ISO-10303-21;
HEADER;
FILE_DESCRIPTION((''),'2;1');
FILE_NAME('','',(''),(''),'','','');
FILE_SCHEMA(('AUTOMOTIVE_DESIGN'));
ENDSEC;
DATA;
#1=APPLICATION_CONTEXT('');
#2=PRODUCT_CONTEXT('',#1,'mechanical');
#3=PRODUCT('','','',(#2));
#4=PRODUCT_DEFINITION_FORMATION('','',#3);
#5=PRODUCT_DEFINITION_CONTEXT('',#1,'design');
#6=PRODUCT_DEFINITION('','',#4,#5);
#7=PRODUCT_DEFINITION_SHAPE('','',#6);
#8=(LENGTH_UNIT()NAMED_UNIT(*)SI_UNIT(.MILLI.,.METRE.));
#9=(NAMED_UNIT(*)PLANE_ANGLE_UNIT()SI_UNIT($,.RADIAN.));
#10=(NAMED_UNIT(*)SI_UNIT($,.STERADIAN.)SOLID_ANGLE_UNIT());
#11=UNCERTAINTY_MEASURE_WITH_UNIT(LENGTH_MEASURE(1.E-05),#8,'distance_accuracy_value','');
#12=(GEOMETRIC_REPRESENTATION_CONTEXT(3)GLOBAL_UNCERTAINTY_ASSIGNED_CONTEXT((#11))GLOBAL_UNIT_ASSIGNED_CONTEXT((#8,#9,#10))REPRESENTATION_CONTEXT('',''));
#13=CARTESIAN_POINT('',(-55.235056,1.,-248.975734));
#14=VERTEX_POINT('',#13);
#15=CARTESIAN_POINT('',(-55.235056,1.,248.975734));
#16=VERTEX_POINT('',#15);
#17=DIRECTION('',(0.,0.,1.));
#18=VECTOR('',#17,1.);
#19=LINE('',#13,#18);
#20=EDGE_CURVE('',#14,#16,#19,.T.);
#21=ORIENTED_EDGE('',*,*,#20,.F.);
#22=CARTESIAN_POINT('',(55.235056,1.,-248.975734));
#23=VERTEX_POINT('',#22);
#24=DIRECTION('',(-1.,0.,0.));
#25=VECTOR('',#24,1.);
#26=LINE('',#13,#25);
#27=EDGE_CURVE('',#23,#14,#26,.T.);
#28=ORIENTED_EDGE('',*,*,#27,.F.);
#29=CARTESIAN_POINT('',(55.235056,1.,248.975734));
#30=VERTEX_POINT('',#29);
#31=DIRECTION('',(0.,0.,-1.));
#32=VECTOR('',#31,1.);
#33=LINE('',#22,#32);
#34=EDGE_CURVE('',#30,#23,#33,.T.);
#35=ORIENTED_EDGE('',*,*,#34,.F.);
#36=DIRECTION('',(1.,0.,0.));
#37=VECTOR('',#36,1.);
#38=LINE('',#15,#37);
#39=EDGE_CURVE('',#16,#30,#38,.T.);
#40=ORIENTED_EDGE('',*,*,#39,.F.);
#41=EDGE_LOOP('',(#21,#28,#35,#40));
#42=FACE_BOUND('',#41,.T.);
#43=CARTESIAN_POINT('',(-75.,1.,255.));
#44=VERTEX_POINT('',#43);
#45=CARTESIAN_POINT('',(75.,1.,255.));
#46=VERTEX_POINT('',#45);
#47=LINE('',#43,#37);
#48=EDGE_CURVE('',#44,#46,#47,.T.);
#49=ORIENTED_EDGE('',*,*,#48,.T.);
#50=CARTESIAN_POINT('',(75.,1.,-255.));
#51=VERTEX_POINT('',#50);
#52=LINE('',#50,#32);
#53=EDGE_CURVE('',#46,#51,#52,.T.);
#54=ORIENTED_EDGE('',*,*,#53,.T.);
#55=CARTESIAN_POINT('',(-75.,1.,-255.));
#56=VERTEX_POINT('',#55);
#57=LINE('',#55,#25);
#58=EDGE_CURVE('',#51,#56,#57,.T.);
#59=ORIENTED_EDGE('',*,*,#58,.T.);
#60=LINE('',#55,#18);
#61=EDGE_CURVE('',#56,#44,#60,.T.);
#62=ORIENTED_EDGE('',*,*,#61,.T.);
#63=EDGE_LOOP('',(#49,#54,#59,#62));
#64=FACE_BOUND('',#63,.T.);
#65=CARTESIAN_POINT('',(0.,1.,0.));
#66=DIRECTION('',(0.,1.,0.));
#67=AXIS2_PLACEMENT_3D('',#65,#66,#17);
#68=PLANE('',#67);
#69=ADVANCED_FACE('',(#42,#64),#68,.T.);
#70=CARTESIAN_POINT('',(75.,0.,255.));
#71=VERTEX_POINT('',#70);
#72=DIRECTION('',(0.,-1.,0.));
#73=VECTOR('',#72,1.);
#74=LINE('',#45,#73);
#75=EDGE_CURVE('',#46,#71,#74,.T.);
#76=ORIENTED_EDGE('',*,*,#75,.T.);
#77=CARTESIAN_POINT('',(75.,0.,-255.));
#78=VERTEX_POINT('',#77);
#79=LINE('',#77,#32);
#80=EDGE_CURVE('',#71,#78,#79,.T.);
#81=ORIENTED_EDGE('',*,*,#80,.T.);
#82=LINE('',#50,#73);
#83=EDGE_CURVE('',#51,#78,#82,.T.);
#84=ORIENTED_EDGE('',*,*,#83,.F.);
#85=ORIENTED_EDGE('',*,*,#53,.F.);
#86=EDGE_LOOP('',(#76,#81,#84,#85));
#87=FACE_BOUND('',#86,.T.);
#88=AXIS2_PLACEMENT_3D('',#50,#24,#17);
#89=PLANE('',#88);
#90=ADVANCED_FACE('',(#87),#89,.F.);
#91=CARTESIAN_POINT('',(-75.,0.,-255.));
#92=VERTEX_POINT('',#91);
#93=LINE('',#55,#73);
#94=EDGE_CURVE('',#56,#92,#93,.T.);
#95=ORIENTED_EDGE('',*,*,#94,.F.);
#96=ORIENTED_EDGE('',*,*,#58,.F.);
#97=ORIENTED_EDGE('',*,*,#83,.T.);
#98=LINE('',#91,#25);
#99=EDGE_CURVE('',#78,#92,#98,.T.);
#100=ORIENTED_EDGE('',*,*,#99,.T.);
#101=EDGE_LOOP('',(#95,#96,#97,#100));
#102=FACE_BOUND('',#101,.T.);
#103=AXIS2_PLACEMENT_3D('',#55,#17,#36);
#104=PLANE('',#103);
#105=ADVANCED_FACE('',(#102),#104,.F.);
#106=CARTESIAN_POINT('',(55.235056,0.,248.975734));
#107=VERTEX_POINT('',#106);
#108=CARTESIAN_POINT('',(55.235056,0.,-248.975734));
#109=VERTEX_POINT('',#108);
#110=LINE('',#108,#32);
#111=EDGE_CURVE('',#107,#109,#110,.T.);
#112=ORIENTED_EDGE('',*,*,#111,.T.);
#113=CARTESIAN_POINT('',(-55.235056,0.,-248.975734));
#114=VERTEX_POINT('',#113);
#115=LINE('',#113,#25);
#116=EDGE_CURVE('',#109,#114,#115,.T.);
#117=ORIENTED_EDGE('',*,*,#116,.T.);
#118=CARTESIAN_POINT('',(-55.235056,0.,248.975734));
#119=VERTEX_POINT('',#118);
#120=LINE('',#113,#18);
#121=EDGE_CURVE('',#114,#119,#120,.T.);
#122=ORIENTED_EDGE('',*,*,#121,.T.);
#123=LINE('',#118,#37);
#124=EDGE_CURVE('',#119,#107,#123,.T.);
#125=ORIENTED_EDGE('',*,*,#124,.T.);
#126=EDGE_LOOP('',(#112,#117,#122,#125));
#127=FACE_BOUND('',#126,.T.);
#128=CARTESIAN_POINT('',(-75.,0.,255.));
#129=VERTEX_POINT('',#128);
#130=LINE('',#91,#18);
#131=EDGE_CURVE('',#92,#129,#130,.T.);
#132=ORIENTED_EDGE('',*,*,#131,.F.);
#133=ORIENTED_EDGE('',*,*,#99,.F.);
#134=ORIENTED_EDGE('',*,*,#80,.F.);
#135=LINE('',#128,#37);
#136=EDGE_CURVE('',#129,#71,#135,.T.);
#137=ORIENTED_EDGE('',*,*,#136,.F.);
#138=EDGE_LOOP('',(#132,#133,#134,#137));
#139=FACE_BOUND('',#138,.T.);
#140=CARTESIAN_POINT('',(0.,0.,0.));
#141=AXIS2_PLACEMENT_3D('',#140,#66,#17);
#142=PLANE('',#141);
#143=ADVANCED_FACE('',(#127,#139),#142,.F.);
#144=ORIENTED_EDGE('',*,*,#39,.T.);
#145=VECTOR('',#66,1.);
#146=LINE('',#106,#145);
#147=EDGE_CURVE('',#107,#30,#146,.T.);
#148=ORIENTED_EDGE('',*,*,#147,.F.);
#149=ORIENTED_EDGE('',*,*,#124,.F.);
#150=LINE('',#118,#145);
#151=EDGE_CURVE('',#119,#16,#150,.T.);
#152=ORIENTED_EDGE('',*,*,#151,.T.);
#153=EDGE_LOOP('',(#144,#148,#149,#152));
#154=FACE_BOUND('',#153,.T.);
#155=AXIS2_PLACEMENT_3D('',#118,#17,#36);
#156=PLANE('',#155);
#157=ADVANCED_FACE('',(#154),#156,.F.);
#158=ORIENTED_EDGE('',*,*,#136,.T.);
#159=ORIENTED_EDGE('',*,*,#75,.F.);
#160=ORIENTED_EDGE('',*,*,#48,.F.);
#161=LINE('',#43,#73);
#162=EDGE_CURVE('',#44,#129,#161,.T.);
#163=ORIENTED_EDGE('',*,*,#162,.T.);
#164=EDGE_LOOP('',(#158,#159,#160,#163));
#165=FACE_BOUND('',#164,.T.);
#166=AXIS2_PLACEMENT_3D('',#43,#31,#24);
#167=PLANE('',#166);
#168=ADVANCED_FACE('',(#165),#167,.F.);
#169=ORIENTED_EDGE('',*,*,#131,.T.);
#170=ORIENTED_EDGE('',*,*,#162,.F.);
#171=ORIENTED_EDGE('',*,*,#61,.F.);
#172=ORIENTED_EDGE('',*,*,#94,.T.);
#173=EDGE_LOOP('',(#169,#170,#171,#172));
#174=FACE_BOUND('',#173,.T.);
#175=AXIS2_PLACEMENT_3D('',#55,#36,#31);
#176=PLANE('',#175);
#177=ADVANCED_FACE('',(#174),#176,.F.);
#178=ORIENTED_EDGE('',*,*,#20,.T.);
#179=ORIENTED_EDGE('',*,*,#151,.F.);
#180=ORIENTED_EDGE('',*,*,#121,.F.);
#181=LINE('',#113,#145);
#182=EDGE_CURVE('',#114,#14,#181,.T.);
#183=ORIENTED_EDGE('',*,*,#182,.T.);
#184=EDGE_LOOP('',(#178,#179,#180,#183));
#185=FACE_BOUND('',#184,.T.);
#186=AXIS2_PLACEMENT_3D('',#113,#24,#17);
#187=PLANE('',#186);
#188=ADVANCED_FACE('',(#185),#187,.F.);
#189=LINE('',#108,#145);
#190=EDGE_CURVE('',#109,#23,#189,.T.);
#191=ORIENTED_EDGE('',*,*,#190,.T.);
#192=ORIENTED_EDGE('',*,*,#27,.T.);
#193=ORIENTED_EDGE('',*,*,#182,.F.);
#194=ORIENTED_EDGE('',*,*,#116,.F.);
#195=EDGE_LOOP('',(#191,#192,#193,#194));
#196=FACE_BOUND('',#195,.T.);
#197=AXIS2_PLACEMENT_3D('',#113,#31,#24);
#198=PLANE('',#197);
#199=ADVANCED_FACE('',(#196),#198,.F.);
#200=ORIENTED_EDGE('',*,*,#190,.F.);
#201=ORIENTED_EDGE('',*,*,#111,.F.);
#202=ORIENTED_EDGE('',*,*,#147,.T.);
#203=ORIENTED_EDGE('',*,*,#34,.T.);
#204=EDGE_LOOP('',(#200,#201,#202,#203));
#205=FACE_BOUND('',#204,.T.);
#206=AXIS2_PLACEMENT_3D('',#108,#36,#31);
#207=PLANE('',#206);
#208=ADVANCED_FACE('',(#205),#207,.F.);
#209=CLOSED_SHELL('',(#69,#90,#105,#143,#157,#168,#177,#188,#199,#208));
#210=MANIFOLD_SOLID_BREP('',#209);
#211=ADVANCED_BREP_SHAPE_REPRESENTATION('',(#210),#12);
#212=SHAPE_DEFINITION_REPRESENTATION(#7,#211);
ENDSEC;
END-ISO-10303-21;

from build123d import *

# Parameters (mm, degrees)
SKETCH1_W           = 150
SKETCH1_H           = 510
BOSS_EXTRUDE1_DEPTH = 1
SKETCH2_W           = 110.470112176
SKETCH2_H           = 497.951467828
CUT_EXTRUDE1_DEPTH  = 1


with BuildPart() as part:
    # Sketch1 → Boss-Extrude1 (new body)
    with BuildSketch(Plane(origin=(0, 0, 0), x_dir=(1, 0, 0), z_dir=(0, 1, 0))):
        Rectangle(SKETCH1_W, SKETCH1_H)
    extrude(amount=BOSS_EXTRUDE1_DEPTH)

    # Sketch2 → Cut-Extrude1 (cut)
    with BuildSketch(Plane(origin=(0, 1, 0), x_dir=(1, 0, 0), z_dir=(0, 1, 0))):
        Rectangle(SKETCH2_W, SKETCH2_H)
    extrude(amount=-CUT_EXTRUDE1_DEPTH, mode=Mode.SUBTRACT)


solid = part.part
